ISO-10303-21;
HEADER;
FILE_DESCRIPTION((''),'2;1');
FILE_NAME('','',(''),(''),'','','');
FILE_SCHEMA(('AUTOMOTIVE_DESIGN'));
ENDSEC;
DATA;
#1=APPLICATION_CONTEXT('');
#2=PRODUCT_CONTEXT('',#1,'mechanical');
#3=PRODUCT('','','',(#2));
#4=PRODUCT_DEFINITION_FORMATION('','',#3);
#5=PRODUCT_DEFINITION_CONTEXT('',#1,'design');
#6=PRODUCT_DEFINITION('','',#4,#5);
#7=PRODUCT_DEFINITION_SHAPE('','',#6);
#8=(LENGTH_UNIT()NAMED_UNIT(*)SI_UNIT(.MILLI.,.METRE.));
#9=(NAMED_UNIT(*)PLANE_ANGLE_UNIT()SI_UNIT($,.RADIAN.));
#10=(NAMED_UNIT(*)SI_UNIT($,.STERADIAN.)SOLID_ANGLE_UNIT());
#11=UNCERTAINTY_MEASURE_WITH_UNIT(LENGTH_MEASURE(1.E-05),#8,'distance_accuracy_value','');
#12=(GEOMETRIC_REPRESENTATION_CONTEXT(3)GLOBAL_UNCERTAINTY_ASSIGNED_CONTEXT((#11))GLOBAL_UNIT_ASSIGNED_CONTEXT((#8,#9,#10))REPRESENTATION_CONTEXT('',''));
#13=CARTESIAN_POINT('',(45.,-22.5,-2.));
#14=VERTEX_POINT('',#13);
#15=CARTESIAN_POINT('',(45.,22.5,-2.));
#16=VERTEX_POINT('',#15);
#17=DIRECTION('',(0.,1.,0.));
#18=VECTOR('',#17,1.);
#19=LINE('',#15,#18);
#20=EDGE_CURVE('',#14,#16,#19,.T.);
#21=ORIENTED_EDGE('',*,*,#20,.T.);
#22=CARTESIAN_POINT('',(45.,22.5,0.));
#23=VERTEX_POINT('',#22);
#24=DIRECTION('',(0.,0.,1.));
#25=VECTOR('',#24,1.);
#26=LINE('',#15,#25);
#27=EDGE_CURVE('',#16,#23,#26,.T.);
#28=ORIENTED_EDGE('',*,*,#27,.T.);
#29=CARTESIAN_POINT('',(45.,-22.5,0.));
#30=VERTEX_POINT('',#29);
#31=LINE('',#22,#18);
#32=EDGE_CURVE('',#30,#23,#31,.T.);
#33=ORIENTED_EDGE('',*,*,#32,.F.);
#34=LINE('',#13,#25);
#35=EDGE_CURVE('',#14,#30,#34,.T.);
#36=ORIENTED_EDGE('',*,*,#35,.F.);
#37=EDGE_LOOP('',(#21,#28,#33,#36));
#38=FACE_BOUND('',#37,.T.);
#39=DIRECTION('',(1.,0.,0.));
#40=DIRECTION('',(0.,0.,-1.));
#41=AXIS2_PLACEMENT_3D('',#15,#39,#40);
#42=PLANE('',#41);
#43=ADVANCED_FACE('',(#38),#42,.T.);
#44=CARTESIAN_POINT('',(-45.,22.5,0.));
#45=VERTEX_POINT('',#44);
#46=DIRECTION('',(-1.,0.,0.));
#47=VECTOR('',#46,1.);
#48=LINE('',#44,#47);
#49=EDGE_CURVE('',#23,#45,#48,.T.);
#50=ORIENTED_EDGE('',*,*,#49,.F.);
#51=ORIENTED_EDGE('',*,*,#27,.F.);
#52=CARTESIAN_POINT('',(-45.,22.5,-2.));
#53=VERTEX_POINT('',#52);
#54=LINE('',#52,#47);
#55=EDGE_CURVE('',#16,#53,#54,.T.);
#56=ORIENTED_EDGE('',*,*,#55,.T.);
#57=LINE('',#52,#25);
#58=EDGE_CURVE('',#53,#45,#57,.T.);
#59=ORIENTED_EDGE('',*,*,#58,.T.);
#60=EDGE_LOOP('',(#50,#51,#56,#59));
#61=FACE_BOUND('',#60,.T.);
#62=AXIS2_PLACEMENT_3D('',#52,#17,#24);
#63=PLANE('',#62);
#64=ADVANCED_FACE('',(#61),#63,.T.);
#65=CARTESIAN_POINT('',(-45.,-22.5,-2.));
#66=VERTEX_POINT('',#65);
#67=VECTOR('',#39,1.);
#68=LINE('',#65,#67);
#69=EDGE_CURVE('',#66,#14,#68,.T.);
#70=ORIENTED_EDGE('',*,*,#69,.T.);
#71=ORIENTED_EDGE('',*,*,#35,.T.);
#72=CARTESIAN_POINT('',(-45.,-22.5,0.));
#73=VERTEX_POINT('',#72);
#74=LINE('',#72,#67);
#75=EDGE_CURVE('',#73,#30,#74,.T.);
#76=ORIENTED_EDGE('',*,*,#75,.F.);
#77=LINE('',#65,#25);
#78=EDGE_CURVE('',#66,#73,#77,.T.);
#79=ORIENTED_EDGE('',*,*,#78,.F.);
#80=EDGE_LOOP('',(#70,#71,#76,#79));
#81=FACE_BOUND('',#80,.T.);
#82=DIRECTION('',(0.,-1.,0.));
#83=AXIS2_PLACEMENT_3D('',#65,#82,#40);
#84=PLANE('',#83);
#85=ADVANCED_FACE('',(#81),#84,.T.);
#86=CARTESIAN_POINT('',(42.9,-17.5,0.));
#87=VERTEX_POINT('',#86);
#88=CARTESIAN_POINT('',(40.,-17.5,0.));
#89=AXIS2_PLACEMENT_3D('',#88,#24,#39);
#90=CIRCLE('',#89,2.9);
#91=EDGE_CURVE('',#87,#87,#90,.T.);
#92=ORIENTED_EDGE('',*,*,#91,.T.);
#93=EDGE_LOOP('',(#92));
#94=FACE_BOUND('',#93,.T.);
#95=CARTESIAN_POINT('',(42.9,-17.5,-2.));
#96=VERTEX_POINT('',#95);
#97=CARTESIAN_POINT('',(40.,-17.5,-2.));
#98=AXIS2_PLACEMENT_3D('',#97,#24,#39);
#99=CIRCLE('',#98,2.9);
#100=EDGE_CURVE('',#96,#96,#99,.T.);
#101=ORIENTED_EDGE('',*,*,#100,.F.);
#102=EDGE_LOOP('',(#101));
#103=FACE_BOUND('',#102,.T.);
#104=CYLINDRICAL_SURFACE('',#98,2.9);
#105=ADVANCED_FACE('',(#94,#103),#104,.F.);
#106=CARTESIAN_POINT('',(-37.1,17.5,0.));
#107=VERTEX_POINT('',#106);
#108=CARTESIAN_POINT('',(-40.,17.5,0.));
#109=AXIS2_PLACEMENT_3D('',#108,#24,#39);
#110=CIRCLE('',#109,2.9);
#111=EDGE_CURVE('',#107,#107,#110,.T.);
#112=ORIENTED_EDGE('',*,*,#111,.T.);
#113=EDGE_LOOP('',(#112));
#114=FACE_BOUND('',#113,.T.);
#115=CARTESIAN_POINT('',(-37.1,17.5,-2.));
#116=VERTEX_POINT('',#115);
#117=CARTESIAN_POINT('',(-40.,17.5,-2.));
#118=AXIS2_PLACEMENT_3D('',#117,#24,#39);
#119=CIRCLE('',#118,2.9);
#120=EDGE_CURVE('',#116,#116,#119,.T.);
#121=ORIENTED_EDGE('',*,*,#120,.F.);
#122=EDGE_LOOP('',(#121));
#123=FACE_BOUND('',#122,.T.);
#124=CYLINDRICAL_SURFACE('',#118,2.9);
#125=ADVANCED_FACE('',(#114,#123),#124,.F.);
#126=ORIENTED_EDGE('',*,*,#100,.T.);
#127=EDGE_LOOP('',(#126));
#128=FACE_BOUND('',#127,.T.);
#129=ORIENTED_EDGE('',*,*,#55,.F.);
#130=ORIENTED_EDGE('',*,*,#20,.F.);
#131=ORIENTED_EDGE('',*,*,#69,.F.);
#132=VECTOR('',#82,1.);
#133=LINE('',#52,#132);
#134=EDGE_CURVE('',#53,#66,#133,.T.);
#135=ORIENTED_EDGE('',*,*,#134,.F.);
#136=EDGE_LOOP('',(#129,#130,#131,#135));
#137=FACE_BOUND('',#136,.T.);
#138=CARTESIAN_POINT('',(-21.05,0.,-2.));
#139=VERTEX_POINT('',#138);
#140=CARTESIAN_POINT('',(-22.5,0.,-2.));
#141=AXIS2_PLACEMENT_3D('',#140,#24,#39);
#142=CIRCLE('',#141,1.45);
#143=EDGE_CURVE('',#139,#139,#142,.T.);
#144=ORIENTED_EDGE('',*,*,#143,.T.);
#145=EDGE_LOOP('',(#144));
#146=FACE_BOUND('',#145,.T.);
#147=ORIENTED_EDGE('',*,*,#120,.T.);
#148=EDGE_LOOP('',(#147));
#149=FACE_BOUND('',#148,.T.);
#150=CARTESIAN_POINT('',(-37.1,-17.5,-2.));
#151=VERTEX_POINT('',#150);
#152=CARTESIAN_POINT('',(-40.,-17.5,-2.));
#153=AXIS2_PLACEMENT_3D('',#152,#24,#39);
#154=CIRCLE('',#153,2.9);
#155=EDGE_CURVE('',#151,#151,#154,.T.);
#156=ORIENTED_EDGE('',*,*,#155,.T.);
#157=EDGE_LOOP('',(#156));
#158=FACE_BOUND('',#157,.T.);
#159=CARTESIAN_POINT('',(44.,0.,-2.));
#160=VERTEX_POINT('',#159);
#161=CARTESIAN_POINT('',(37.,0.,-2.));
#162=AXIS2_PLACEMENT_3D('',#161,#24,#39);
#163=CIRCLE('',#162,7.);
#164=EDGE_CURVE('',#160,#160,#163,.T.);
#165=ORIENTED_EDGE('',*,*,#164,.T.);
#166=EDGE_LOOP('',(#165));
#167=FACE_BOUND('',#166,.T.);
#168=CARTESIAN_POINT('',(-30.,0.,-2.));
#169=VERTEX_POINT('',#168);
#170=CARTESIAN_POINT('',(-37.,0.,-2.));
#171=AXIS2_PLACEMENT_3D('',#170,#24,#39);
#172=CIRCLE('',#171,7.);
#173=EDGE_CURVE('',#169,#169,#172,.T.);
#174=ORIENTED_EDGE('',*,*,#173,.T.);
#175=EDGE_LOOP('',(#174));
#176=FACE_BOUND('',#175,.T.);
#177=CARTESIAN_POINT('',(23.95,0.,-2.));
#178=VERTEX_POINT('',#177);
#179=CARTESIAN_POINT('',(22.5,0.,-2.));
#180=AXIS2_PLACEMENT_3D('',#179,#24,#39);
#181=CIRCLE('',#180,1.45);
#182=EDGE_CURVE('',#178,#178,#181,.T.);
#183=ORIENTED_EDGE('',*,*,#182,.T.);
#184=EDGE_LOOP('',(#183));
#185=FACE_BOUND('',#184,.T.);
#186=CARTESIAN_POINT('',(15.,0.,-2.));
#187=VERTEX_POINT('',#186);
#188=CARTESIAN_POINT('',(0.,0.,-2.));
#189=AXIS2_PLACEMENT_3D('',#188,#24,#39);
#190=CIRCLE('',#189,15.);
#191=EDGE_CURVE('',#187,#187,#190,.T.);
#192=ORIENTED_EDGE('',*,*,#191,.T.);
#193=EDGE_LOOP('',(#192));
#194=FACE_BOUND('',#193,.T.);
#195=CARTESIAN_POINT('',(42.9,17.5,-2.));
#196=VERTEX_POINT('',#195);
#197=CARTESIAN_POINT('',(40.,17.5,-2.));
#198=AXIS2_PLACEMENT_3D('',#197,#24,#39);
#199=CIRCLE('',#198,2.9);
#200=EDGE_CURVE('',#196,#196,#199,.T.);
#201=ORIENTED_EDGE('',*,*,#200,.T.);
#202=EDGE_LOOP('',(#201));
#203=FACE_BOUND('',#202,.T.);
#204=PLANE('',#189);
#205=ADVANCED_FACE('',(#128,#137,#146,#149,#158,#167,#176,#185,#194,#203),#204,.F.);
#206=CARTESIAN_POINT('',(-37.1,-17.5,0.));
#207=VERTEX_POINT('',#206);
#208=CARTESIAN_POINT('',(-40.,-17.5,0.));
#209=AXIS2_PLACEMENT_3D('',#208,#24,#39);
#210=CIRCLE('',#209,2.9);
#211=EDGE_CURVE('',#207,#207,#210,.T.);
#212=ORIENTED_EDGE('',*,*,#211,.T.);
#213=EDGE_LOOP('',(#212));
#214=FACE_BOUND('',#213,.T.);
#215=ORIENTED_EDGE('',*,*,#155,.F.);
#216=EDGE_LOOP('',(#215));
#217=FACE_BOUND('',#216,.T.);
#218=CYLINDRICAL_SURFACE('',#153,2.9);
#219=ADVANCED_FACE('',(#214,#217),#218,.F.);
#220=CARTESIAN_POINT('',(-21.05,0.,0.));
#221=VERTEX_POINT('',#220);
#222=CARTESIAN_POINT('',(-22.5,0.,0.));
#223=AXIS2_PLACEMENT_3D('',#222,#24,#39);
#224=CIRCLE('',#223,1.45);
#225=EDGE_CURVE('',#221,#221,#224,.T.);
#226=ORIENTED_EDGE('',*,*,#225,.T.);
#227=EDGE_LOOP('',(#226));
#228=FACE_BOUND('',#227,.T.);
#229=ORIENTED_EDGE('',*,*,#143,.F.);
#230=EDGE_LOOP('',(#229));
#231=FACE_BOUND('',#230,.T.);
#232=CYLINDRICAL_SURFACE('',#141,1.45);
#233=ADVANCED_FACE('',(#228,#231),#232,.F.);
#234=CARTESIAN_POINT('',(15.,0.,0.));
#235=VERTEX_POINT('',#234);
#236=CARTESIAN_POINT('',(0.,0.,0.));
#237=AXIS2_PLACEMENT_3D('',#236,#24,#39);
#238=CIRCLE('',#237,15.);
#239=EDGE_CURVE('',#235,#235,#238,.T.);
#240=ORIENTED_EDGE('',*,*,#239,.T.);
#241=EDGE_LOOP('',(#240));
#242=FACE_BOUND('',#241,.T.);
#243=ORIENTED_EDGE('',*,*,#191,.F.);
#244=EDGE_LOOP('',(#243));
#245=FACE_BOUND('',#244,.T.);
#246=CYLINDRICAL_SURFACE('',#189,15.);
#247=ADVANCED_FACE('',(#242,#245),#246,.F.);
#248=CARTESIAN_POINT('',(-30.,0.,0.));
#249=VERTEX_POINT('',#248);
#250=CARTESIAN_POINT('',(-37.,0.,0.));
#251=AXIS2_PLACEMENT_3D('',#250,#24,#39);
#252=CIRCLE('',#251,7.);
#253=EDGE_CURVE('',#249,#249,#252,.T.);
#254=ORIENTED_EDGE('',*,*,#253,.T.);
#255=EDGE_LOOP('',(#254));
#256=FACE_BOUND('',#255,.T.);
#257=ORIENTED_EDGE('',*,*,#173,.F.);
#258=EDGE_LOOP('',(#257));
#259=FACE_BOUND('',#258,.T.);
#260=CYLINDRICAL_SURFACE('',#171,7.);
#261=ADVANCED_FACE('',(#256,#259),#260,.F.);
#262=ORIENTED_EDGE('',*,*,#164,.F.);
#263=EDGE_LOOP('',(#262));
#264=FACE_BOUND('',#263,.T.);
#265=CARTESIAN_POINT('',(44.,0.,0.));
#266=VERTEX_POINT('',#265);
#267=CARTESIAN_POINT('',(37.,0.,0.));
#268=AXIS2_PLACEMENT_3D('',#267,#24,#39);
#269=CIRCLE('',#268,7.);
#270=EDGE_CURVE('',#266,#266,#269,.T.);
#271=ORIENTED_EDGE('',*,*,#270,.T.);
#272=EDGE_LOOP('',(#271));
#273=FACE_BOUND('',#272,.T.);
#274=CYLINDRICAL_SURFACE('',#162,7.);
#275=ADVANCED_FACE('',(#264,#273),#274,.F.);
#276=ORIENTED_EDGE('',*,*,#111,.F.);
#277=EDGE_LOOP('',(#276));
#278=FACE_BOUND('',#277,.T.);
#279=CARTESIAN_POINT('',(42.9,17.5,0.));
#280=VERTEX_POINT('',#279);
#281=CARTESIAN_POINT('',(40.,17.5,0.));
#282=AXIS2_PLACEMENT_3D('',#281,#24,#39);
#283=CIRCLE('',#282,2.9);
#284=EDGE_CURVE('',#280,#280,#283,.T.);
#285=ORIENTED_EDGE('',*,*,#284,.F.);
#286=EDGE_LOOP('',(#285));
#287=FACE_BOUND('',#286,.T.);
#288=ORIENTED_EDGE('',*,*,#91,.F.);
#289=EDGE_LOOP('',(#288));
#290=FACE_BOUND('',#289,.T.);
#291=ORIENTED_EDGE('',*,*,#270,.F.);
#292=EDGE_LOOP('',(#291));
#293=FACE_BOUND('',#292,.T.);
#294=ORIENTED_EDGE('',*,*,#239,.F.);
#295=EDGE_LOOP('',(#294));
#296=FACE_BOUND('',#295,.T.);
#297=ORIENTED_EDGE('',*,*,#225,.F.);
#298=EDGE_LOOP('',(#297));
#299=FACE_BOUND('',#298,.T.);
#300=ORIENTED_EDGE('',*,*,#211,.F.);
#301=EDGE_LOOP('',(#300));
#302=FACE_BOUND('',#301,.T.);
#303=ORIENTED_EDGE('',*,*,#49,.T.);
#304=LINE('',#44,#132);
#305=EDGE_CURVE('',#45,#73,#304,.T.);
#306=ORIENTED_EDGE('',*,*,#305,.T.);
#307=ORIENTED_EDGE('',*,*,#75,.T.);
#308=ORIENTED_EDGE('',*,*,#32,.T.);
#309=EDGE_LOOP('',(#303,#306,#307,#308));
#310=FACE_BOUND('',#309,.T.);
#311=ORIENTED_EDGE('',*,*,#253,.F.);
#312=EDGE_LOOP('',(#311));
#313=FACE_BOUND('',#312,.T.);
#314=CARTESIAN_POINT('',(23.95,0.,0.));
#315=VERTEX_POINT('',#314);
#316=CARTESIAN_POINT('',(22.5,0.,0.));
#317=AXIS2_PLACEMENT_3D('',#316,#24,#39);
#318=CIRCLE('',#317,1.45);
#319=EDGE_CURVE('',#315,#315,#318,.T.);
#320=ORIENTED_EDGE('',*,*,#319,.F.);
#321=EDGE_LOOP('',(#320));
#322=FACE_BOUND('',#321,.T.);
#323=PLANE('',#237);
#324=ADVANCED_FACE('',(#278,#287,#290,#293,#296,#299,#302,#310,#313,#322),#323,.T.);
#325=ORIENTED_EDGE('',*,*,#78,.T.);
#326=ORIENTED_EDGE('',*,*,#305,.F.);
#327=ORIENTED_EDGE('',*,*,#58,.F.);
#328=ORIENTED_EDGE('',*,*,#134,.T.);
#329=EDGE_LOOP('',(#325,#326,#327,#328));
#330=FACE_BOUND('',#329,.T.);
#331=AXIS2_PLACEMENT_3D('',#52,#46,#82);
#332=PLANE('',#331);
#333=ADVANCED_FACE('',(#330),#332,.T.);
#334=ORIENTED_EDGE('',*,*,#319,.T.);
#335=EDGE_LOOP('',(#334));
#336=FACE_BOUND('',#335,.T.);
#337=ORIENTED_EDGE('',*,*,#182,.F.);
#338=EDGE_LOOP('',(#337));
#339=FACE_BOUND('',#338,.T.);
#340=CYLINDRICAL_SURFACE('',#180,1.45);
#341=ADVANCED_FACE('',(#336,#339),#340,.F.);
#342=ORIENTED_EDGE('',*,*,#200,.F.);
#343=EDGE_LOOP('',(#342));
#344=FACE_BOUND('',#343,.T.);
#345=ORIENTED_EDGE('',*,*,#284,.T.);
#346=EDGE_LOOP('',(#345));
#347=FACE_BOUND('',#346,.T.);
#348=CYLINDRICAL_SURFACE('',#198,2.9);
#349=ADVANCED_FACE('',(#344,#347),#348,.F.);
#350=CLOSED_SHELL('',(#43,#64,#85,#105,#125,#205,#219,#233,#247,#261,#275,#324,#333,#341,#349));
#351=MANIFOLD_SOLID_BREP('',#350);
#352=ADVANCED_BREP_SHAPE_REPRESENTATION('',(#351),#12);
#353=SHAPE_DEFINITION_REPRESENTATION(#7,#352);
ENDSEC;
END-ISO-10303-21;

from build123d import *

# Parameters (mm, degrees)
SKETCH_1_W      = 90
SKETCH_1_H      = 45
SKETCH_1_R      = 2.9
SKETCH_1_R_2    = 1.45
SKETCH_1_R_3    = 15
SKETCH_1_R_4    = 7
EXTRUDE_2_DEPTH = 2


with BuildPart() as part:
    # 草图1 → 凸台-拉伸2 (new body)
    with BuildSketch(Plane.XY):
        Rectangle(SKETCH_1_W, SKETCH_1_H)
        with Locations((-40, 17.5)):
            Circle(SKETCH_1_R, mode=Mode.SUBTRACT)
        with Locations((-40, -17.5)):
            Circle(SKETCH_1_R, mode=Mode.SUBTRACT)
        with Locations((40, 17.5)):
            Circle(SKETCH_1_R, mode=Mode.SUBTRACT)
        with Locations((40, -17.5)):
            Circle(SKETCH_1_R, mode=Mode.SUBTRACT)
        with Locations((22.5, 0)):
            Circle(SKETCH_1_R_2, mode=Mode.SUBTRACT)
        with Locations((-22.5, 0)):
            Circle(SKETCH_1_R_2, mode=Mode.SUBTRACT)
        Circle(SKETCH_1_R_3, mode=Mode.SUBTRACT)
        with Locations((-37, 0)):
            Circle(SKETCH_1_R_4, mode=Mode.SUBTRACT)
        with Locations((37, 0)):
            Circle(SKETCH_1_R_4, mode=Mode.SUBTRACT)
    extrude(amount=-EXTRUDE_2_DEPTH)


solid = part.part
